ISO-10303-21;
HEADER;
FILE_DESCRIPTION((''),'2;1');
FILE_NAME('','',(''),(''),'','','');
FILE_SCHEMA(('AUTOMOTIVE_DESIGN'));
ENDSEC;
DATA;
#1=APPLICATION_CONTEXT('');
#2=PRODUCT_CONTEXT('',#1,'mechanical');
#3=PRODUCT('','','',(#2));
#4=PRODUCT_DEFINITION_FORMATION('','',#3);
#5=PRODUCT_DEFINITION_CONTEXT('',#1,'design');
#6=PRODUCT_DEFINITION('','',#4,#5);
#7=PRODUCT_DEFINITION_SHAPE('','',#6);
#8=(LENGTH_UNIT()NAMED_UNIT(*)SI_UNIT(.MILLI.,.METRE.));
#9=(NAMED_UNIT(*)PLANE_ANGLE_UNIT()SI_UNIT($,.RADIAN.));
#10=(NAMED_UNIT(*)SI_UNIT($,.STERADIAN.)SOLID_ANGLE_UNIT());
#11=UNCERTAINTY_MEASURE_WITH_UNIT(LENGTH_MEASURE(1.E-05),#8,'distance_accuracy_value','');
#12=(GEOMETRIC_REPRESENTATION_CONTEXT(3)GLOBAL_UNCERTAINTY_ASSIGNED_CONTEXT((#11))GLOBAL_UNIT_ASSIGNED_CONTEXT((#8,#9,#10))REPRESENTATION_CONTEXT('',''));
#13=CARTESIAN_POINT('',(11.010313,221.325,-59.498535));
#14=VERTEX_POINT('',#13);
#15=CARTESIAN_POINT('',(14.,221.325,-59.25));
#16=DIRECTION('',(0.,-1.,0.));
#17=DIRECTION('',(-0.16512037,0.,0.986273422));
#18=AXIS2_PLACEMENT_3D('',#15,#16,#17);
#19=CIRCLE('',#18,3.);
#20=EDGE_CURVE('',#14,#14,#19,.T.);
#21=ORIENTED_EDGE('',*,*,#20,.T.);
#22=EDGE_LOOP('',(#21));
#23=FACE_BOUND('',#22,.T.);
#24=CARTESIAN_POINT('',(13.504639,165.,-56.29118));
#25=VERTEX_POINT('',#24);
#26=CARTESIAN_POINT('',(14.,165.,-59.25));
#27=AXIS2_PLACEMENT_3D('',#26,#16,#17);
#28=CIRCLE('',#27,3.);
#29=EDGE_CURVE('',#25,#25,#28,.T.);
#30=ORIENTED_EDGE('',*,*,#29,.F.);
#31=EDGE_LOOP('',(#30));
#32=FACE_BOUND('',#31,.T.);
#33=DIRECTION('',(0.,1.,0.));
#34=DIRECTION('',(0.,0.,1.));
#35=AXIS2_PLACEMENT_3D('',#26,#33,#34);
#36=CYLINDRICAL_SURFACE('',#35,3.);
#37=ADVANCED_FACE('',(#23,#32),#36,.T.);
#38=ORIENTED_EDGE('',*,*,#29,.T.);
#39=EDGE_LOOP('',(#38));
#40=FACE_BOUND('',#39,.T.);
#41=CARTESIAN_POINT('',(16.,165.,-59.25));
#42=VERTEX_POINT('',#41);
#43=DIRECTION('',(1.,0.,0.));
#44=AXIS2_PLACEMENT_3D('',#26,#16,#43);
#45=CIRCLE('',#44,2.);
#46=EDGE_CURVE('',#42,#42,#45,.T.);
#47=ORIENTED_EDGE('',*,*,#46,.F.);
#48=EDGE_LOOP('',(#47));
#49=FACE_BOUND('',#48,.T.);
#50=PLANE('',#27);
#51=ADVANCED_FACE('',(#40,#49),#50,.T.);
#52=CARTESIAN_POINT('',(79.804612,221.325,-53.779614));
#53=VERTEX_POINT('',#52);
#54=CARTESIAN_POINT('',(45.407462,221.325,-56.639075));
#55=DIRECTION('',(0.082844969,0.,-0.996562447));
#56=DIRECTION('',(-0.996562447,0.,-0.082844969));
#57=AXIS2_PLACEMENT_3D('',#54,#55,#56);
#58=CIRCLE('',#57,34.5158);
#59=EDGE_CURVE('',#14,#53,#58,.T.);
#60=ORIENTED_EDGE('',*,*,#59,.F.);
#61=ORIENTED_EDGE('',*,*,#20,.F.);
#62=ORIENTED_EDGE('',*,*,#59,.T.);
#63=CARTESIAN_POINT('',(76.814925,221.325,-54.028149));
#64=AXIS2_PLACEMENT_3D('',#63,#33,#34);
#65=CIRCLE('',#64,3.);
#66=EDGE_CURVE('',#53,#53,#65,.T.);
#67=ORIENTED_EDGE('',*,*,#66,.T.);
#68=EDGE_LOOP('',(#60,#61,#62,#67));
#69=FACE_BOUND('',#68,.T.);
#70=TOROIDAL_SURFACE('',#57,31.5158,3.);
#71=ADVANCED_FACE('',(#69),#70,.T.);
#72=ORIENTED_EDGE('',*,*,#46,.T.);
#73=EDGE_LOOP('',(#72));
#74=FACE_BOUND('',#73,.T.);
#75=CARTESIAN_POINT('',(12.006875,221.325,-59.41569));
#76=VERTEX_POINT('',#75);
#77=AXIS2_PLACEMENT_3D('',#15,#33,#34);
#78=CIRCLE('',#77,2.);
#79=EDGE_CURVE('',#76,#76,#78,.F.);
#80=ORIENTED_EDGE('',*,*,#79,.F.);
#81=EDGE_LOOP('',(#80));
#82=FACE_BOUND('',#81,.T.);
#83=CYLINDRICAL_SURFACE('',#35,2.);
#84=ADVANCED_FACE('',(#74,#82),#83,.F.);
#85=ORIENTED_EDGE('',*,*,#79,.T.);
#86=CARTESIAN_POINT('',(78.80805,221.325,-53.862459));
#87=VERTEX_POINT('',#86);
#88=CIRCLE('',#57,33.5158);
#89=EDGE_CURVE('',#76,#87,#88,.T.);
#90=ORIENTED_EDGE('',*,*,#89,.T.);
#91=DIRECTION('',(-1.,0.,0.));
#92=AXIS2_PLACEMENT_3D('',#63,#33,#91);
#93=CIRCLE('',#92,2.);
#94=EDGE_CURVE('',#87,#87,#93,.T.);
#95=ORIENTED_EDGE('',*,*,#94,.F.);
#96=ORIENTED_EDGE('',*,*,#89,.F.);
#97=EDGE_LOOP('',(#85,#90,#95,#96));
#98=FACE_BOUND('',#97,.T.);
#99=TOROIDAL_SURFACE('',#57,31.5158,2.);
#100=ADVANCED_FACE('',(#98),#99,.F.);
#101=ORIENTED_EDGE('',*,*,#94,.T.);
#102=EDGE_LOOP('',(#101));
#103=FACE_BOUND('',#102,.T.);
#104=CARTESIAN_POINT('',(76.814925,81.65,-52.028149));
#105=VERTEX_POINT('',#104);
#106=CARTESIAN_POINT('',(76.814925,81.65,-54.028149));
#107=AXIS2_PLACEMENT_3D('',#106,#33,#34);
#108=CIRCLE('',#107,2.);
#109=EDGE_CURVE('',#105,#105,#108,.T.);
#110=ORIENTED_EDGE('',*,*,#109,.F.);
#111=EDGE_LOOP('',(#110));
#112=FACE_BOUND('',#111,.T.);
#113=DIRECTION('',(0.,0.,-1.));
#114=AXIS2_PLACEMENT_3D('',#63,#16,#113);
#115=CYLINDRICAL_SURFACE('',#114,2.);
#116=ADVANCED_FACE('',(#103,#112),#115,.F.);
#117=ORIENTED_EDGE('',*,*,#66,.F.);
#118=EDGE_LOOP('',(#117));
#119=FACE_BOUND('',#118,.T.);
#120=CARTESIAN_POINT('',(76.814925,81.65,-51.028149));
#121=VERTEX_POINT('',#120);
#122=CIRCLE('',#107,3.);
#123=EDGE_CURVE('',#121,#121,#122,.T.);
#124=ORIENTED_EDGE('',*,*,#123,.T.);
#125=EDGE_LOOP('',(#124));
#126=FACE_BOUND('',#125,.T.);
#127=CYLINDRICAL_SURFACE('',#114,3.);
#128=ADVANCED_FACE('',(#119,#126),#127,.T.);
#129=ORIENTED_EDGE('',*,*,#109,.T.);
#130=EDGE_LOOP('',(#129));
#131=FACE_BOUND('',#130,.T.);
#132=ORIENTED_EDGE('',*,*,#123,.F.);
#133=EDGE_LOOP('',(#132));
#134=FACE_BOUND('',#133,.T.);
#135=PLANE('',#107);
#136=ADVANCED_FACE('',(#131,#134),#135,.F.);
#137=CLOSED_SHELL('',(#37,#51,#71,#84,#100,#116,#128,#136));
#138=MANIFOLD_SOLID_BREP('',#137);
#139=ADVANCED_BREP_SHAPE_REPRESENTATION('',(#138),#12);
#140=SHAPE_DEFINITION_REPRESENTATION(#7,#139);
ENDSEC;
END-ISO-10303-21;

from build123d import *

# Parameters (mm, degrees)
BALAYAGE_MINCE1_PROFILE_R   = 3
BALAYAGE_MINCE1_PROFILE_R_2 = 2


with BuildPart() as part:
    # Balayage-Mince1: sweep along a curve in space
    with BuildLine() as balayage_mince1_path:
        Line((14, 165, -59.25), (14, 221.325, -59.25))
        ThreePointArc((14, 221.325, -59.25), (45.407462351, 252.840799577, -56.639074556), (76.814924701, 221.325, -54.028149113))
        Line((76.814924701, 221.325, -54.028149113), (76.814924701, 81.65, -54.028149113))
    # Balayage-Mince1 profile (on start of the path) → Balayage-Mince1 (sweep)
    with BuildSketch(Plane(origin=(14, 165, -59.25), x_dir=(0, 0, 1), z_dir=(0, 1, 0))):
        Circle(BALAYAGE_MINCE1_PROFILE_R)
        Circle(BALAYAGE_MINCE1_PROFILE_R_2, mode=Mode.SUBTRACT)
    sweep(path=balayage_mince1_path.line)


solid = part.part
